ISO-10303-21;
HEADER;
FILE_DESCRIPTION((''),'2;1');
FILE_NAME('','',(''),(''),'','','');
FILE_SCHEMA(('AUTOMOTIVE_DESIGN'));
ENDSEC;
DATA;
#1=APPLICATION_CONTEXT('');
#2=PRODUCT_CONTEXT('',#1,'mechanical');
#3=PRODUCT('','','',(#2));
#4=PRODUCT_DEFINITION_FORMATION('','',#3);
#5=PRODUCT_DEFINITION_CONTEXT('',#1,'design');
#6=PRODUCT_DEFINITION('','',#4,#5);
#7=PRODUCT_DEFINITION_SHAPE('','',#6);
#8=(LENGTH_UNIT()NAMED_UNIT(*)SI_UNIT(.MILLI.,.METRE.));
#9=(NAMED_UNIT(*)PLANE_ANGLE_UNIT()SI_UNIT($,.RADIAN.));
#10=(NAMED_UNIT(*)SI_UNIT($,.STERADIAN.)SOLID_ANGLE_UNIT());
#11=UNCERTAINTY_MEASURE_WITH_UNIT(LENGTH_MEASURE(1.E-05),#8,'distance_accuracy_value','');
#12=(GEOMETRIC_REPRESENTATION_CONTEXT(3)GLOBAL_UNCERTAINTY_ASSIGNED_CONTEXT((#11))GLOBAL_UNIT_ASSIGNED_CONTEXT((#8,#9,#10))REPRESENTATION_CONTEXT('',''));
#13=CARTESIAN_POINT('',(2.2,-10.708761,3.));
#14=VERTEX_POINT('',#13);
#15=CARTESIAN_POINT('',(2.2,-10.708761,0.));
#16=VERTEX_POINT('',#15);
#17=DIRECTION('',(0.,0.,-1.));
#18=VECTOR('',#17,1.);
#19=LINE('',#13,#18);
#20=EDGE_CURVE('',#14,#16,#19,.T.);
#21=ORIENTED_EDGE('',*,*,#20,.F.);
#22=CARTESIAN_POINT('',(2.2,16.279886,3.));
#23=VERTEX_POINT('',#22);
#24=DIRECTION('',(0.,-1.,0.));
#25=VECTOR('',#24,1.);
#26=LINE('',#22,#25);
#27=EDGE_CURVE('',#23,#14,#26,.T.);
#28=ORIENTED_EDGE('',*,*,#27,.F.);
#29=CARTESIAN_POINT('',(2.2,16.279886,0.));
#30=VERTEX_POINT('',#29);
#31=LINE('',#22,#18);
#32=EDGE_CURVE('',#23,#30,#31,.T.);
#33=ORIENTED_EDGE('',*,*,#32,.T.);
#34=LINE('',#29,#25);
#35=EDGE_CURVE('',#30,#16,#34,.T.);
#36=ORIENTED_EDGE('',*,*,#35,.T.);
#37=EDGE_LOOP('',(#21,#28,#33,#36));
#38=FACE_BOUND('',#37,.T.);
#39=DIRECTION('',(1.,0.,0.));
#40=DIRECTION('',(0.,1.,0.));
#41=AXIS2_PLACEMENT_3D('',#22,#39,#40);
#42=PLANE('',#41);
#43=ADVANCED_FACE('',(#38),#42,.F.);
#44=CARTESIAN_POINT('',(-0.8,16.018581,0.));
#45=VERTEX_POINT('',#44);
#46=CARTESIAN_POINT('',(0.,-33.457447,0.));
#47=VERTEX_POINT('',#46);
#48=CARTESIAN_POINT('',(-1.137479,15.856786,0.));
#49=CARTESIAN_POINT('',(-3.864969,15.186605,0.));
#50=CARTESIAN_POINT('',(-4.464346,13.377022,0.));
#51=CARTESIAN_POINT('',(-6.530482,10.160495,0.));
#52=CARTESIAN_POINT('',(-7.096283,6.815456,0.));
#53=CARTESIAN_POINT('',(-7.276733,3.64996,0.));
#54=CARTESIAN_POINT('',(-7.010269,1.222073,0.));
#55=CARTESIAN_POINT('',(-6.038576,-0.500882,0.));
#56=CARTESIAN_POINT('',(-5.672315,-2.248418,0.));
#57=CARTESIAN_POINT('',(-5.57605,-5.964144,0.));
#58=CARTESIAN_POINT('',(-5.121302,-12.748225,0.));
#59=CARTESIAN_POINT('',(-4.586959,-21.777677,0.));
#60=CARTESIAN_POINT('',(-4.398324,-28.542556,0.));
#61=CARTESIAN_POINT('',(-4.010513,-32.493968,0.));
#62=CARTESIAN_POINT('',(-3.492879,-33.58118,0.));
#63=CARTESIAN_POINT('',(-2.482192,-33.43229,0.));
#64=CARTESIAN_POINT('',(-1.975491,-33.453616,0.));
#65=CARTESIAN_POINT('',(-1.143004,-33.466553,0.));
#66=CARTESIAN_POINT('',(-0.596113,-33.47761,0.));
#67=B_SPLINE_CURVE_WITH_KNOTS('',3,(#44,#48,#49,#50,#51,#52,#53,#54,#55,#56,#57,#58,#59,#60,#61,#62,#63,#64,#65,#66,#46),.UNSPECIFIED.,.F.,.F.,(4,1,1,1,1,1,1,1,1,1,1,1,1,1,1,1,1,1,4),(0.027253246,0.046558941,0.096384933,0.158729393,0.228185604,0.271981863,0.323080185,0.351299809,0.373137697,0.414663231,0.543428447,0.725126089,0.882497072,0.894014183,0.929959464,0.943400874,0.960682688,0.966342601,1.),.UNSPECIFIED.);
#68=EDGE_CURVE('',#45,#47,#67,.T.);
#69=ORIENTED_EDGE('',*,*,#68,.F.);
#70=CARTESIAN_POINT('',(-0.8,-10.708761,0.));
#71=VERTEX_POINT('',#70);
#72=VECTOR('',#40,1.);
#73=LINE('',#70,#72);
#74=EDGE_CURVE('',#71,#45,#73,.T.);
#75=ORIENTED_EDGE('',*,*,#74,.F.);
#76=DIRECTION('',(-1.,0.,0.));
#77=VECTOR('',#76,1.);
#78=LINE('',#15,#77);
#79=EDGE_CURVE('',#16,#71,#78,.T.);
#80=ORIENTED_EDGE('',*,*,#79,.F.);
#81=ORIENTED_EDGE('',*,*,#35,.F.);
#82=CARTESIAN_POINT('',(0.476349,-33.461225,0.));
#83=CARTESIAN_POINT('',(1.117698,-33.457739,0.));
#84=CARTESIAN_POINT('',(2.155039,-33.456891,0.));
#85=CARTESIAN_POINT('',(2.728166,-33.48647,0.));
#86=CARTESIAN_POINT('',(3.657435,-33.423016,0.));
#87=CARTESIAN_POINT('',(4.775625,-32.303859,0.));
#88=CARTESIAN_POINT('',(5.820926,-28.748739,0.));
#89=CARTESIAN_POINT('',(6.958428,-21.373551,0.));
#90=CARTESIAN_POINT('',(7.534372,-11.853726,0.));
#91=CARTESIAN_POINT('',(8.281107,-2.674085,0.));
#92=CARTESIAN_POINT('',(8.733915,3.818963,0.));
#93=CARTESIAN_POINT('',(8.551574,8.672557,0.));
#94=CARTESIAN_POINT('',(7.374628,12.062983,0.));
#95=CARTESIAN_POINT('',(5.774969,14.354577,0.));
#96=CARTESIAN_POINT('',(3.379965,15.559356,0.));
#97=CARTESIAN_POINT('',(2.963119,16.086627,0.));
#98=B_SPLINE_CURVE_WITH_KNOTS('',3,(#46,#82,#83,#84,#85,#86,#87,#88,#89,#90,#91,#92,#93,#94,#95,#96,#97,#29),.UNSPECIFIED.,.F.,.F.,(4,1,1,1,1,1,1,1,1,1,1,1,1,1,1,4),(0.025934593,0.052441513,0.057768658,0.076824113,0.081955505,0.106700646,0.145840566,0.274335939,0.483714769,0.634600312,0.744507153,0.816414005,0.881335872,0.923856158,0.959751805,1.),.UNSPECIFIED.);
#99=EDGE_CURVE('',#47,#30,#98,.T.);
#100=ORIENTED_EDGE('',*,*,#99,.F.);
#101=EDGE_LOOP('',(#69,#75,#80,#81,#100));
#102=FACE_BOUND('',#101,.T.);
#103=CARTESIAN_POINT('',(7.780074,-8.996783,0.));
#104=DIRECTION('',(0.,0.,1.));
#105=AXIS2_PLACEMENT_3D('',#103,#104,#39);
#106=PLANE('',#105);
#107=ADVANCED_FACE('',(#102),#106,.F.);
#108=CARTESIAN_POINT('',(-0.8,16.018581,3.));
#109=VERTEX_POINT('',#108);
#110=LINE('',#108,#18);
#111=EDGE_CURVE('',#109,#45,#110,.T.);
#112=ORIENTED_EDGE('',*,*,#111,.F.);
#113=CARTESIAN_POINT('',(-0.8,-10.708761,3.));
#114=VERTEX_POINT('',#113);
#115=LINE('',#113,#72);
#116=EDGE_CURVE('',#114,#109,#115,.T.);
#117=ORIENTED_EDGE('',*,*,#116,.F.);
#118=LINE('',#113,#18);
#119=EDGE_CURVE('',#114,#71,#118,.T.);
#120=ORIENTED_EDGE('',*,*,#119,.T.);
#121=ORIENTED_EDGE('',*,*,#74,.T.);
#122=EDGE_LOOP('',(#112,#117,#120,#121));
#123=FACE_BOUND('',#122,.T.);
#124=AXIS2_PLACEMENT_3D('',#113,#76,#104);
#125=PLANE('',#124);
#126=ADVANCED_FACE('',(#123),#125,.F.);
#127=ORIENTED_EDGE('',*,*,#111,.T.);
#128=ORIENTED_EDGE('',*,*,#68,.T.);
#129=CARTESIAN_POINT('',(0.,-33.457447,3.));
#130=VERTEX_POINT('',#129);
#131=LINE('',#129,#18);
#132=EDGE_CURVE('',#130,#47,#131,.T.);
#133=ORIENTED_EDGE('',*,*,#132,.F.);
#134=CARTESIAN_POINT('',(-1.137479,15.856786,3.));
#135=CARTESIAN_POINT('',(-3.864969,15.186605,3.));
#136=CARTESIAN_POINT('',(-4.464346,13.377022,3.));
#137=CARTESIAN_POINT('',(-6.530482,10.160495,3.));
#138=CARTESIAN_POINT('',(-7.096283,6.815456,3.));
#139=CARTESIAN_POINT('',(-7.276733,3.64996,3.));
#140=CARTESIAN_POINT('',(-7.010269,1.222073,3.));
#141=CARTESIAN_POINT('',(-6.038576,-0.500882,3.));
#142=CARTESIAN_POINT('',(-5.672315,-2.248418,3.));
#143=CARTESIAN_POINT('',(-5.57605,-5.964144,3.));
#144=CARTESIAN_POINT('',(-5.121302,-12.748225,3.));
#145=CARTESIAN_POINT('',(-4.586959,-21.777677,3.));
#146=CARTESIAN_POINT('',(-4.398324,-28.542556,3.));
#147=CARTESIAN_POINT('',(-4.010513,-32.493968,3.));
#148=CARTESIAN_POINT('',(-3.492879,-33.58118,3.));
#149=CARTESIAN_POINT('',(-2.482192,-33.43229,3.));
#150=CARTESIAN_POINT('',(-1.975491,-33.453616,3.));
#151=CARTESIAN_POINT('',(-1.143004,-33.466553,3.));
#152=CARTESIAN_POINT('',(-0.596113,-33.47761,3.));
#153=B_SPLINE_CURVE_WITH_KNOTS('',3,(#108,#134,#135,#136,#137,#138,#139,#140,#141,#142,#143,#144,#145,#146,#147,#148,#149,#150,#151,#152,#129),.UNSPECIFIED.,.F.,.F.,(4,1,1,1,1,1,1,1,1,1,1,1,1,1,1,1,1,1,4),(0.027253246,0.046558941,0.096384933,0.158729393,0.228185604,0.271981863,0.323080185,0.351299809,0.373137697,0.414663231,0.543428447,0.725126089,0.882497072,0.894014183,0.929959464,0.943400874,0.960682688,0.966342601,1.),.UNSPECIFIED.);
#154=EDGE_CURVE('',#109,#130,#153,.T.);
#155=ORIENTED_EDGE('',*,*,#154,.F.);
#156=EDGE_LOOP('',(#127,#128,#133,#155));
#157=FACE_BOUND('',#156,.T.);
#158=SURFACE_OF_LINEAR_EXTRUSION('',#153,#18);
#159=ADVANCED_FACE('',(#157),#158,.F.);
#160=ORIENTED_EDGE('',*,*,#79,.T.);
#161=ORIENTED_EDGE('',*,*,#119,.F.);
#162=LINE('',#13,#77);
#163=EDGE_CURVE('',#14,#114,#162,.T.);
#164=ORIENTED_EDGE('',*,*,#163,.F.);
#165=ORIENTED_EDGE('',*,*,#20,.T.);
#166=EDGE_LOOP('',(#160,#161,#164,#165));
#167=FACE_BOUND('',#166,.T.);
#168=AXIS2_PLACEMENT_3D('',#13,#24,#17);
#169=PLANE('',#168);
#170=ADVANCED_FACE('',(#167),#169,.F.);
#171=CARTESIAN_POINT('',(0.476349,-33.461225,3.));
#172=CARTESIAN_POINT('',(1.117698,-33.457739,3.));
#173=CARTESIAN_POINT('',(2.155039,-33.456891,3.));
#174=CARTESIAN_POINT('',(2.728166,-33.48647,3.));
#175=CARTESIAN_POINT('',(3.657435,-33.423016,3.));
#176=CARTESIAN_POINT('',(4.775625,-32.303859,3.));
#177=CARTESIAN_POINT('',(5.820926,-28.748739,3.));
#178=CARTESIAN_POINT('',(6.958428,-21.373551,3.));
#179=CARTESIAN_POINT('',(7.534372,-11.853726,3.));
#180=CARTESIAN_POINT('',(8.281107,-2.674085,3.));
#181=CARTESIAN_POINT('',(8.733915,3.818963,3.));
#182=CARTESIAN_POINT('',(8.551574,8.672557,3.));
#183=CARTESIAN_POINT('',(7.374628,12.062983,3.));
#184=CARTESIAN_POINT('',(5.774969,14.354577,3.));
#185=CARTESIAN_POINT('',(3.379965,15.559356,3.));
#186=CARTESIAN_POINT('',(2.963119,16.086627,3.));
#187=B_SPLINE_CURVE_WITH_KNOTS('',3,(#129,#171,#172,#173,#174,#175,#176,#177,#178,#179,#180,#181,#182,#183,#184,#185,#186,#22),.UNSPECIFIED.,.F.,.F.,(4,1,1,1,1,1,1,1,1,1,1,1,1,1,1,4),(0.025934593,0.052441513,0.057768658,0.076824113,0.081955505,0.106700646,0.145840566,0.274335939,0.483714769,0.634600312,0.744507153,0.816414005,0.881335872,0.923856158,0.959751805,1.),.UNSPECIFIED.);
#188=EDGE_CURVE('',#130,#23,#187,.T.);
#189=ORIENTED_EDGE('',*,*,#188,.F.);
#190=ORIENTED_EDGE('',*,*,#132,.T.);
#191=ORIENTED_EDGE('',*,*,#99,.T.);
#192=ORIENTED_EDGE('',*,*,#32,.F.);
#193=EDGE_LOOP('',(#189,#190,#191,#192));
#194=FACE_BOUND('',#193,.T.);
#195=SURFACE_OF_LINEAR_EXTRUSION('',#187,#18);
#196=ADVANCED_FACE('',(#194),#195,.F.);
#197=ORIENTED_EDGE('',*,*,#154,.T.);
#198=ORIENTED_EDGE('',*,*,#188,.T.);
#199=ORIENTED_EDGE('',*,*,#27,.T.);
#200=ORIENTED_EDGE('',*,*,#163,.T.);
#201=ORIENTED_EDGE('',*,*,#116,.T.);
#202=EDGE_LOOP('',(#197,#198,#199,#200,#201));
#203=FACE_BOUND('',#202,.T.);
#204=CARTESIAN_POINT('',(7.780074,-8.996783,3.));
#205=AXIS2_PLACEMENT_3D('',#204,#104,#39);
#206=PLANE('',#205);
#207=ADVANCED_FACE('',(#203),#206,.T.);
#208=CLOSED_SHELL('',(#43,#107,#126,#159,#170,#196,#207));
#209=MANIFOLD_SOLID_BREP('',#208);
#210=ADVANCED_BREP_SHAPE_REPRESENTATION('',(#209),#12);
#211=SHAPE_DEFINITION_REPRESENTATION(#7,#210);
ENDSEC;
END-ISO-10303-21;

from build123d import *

# Parameters (mm, degrees)
BOSS_EXTRUDE2_DEPTH = 3


with BuildPart() as part:
    # Sketch1 → Boss-Extrude2 (new body)
    with BuildSketch(Plane.XY):
        with BuildLine():
            Line((2.2, 16.279886141), (2.2, -10.708761049))
            Line((2.2, -10.708761049), (-0.8, -10.708761049))
            Line((-0.8, -10.708761049), (-0.8, 16.018581102))
            add(Edge.make_bspline(
                [(-0.8, 16.018581102), (-1.137478868, 15.856785997), (-3.864968928, 15.186605333), (-4.464345742, 13.377021915), (-6.530482393, 10.160494645), (-7.096283176, 6.815456141), (-7.276733446, 3.649960029), (-7.010269398, 1.222073445), (-6.038575888, -0.500882297), (-5.672315374, -2.248417909), (-5.576049901, -5.964143668), (-5.121301969, -12.748224887), (-4.586958941, -21.777676866), (-4.398323748, -28.542556317), (-4.010513221, -32.493968256), (-3.492878576, -33.581179885), (-2.482192268, -33.43229003), (-1.975490972, -33.453616216), (-1.143003818, -33.466552535), (-0.596113192, -33.477610231), (0, -33.457446809)],
                knots=[0.027253246, 0.027253246, 0.027253246, 0.027253246, 0.046558941, 0.096384933, 0.158729393, 0.228185604, 0.271981863, 0.323080185, 0.351299809, 0.373137697, 0.414663231, 0.543428447, 0.725126089, 0.882497072, 0.894014183, 0.929959464, 0.943400874, 0.960682688, 0.966342601, 1, 1, 1, 1], degree=3))
            add(Edge.make_bspline(
                [(2.2, 16.279886141), (2.963118532, 16.08662731), (3.37996516, 15.559355614), (5.774968787, 14.354576548), (7.374628283, 12.062982525), (8.551573886, 8.672556745), (8.733915125, 3.818962641), (8.281107455, -2.674085455), (7.534372428, -11.853726278), (6.9584282, -21.373551103), (5.820926037, -28.748739461), (4.775625382, -32.303859485), (3.657435413, -33.423016219), (2.72816559, -33.486469625), (2.15503926, -33.45689106), (1.117698349, -33.457739351), (0.476348767, -33.461224782), (0, -33.457446809)],
                knots=[0.025934593, 0.025934593, 0.025934593, 0.025934593, 0.066182788, 0.102078434, 0.144598721, 0.209520588, 0.28142744, 0.39133428, 0.542219823, 0.751598654, 0.880094026, 0.919233947, 0.943979088, 0.94911048, 0.968165935, 0.97349308, 1, 1, 1, 1], degree=3))
        make_face()
    extrude(amount=BOSS_EXTRUDE2_DEPTH)


solid = part.part
